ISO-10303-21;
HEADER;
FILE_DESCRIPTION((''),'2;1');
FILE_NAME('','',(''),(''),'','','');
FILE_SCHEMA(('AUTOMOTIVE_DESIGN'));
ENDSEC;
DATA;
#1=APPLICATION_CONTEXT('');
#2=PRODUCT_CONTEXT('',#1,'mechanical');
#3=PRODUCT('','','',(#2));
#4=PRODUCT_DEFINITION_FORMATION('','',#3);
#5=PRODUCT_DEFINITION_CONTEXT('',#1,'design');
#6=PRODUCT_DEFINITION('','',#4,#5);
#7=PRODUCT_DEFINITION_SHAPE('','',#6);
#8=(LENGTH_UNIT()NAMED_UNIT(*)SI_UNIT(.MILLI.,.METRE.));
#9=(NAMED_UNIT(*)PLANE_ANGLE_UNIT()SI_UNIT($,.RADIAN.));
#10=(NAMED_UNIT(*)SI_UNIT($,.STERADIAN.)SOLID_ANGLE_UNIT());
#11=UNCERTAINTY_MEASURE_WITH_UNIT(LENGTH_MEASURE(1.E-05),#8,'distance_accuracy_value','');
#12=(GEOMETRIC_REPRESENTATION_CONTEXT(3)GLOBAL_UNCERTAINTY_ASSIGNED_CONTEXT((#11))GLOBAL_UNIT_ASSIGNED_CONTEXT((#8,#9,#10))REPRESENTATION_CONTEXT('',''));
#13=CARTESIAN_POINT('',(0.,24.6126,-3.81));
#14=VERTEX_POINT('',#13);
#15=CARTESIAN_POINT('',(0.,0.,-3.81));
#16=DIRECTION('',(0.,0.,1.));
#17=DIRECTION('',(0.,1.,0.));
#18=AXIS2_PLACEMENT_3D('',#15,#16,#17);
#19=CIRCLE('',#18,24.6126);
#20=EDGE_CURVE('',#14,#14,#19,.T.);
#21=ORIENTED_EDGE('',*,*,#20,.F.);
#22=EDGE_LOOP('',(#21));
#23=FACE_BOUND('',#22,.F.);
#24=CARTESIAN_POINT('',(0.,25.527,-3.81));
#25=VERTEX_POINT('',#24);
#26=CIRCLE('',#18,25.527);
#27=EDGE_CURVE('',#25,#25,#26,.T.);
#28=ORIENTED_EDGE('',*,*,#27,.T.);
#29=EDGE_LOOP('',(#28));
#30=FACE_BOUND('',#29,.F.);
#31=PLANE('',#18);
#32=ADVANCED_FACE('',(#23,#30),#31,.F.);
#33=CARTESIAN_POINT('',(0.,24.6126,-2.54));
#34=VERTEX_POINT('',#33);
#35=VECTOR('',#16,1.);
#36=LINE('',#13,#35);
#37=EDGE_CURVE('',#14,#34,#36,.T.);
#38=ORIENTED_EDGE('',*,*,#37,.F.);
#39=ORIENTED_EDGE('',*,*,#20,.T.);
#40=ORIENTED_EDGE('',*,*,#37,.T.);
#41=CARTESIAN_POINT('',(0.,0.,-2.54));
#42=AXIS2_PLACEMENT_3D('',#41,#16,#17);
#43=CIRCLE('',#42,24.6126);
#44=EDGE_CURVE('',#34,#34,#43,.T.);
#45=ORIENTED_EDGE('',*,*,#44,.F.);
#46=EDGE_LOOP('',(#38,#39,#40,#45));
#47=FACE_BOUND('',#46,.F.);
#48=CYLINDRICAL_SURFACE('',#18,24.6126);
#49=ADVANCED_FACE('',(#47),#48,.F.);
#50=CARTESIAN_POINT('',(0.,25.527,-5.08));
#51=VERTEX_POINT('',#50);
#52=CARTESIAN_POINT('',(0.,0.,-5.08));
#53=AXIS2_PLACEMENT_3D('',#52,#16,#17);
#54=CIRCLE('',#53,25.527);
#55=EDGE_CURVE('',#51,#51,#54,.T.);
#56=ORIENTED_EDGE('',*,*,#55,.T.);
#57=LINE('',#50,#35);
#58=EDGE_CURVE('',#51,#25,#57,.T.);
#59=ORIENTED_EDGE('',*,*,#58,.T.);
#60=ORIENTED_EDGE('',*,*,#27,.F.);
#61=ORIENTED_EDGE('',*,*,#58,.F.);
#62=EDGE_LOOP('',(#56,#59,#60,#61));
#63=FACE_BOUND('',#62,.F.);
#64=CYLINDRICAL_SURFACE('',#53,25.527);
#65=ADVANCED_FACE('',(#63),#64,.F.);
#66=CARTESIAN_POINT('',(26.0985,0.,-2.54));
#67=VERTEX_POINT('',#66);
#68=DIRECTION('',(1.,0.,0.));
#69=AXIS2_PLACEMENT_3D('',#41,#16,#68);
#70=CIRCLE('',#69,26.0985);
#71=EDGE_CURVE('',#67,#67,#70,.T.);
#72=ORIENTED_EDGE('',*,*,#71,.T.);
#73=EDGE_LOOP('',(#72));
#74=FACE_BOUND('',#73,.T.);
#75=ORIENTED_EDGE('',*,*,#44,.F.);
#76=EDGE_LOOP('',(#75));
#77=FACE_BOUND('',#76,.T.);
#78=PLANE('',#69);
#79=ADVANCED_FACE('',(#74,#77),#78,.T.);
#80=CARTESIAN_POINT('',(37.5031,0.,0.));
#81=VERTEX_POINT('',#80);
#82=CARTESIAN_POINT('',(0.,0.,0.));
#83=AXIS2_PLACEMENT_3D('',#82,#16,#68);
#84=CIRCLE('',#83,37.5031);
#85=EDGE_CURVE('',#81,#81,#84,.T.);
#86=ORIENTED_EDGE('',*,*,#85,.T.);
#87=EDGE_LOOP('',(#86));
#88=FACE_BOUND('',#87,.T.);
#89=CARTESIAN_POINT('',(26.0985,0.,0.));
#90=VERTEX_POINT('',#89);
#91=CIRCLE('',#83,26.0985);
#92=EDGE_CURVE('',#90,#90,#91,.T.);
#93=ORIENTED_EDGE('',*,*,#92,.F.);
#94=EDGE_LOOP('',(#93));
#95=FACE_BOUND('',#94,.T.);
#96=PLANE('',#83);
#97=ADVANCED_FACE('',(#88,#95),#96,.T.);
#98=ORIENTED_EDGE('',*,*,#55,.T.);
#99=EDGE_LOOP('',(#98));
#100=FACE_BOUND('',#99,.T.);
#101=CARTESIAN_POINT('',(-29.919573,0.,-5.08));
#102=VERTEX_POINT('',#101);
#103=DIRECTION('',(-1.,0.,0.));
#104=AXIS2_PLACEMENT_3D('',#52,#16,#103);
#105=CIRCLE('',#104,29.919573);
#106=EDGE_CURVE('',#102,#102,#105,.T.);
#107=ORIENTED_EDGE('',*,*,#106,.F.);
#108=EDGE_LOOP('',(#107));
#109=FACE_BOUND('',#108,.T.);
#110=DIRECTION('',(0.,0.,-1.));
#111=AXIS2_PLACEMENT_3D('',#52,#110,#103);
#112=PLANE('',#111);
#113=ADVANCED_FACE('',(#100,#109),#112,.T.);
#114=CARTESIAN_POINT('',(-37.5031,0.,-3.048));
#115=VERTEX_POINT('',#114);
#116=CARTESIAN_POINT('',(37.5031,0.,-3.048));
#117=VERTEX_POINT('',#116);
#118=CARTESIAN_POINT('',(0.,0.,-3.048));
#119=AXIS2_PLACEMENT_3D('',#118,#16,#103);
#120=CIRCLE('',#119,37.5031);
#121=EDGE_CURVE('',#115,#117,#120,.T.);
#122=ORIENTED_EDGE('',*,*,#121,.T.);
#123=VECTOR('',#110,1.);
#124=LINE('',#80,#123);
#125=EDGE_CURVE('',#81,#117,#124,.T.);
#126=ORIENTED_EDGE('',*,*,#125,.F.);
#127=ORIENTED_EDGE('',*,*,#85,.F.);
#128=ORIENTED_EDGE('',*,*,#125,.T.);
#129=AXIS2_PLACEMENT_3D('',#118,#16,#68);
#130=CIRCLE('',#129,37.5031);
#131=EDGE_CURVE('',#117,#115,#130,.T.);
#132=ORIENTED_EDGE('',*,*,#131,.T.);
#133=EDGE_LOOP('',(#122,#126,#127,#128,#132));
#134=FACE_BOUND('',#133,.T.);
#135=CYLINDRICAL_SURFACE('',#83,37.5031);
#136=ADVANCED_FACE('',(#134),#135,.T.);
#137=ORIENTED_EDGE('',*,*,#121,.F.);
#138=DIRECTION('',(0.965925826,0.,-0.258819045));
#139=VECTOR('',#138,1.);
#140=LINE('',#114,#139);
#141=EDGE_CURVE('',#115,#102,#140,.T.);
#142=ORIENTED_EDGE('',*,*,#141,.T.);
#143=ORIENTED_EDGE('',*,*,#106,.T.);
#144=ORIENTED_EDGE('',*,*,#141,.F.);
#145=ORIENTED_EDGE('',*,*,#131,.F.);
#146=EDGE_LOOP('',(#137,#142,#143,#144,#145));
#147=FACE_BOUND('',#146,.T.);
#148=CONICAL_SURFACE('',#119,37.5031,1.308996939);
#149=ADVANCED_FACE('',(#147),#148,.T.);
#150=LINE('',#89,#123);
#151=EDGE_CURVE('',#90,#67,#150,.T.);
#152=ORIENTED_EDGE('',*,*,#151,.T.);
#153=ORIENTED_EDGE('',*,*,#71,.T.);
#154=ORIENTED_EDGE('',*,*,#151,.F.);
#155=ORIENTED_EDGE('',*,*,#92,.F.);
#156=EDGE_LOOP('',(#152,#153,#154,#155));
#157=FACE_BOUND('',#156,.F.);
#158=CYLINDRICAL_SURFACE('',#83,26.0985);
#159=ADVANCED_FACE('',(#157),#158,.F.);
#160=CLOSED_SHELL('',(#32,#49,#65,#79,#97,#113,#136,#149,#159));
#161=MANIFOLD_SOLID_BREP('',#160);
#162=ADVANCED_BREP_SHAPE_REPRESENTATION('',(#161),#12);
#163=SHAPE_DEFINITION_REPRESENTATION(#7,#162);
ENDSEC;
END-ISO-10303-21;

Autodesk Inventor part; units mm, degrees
ref_plane "YZ Plane" through (0, 0, 0) normal (1, 0, 0) x (0, 1, 0)
ref_plane "XZ Plane" through (0, 0, 0) normal (0, 1, 0) x (-1, 0, 0)
ref_plane "XY Plane" through (0, 0, 0) normal (0, 0, 1) x (1, 0, 0)
sketch "Sketch2" plane through (0, 0, 0) normal (0, 0, 1) x (1, 0, 0)
  circle A0 centre (0, 0) radius 37.5031
  dimension "d0" = 75.0062
extrude "Extrusion1" add sketch "Sketch2" against normal blind 3.048
sketch "Sketch3" plane through (0, 0, -3.048) normal (0, 0, -1) x (-1, 0, 0)
  circle A0 centre (0, 0) radius 37.5031 projected
extrude "Extrusion2" add sketch "Sketch3" along normal blind 2.032 draft -75
sketch "Sketch4" plane through (0, 0, 0) normal (0, 0, 1) x (1, 0, 0)
  circle A0 centre (0, 0) radius 37.5031 projected
  circle A1 centre (0, 0) radius 26.0985
  dimension "d5" = 52.197
extrude "Extrusion3" cut sketch "Sketch4" against normal blind 2.54 contours A1
sketch "Sketch5" plane through (0, 0, -5.08) normal (0, 0, -1) x (-1, 0, 0)
  circle A0 centre (0, 0) radius 29.9196 projected
hole "Hole1" at (0, 0, -5.08) direction (0, 0, 1) diameter 49.2252 end through all counterbore diameter 51.054 counterbore depth 1.27
properties part number "4000120" material "304L Stainless Steel"
